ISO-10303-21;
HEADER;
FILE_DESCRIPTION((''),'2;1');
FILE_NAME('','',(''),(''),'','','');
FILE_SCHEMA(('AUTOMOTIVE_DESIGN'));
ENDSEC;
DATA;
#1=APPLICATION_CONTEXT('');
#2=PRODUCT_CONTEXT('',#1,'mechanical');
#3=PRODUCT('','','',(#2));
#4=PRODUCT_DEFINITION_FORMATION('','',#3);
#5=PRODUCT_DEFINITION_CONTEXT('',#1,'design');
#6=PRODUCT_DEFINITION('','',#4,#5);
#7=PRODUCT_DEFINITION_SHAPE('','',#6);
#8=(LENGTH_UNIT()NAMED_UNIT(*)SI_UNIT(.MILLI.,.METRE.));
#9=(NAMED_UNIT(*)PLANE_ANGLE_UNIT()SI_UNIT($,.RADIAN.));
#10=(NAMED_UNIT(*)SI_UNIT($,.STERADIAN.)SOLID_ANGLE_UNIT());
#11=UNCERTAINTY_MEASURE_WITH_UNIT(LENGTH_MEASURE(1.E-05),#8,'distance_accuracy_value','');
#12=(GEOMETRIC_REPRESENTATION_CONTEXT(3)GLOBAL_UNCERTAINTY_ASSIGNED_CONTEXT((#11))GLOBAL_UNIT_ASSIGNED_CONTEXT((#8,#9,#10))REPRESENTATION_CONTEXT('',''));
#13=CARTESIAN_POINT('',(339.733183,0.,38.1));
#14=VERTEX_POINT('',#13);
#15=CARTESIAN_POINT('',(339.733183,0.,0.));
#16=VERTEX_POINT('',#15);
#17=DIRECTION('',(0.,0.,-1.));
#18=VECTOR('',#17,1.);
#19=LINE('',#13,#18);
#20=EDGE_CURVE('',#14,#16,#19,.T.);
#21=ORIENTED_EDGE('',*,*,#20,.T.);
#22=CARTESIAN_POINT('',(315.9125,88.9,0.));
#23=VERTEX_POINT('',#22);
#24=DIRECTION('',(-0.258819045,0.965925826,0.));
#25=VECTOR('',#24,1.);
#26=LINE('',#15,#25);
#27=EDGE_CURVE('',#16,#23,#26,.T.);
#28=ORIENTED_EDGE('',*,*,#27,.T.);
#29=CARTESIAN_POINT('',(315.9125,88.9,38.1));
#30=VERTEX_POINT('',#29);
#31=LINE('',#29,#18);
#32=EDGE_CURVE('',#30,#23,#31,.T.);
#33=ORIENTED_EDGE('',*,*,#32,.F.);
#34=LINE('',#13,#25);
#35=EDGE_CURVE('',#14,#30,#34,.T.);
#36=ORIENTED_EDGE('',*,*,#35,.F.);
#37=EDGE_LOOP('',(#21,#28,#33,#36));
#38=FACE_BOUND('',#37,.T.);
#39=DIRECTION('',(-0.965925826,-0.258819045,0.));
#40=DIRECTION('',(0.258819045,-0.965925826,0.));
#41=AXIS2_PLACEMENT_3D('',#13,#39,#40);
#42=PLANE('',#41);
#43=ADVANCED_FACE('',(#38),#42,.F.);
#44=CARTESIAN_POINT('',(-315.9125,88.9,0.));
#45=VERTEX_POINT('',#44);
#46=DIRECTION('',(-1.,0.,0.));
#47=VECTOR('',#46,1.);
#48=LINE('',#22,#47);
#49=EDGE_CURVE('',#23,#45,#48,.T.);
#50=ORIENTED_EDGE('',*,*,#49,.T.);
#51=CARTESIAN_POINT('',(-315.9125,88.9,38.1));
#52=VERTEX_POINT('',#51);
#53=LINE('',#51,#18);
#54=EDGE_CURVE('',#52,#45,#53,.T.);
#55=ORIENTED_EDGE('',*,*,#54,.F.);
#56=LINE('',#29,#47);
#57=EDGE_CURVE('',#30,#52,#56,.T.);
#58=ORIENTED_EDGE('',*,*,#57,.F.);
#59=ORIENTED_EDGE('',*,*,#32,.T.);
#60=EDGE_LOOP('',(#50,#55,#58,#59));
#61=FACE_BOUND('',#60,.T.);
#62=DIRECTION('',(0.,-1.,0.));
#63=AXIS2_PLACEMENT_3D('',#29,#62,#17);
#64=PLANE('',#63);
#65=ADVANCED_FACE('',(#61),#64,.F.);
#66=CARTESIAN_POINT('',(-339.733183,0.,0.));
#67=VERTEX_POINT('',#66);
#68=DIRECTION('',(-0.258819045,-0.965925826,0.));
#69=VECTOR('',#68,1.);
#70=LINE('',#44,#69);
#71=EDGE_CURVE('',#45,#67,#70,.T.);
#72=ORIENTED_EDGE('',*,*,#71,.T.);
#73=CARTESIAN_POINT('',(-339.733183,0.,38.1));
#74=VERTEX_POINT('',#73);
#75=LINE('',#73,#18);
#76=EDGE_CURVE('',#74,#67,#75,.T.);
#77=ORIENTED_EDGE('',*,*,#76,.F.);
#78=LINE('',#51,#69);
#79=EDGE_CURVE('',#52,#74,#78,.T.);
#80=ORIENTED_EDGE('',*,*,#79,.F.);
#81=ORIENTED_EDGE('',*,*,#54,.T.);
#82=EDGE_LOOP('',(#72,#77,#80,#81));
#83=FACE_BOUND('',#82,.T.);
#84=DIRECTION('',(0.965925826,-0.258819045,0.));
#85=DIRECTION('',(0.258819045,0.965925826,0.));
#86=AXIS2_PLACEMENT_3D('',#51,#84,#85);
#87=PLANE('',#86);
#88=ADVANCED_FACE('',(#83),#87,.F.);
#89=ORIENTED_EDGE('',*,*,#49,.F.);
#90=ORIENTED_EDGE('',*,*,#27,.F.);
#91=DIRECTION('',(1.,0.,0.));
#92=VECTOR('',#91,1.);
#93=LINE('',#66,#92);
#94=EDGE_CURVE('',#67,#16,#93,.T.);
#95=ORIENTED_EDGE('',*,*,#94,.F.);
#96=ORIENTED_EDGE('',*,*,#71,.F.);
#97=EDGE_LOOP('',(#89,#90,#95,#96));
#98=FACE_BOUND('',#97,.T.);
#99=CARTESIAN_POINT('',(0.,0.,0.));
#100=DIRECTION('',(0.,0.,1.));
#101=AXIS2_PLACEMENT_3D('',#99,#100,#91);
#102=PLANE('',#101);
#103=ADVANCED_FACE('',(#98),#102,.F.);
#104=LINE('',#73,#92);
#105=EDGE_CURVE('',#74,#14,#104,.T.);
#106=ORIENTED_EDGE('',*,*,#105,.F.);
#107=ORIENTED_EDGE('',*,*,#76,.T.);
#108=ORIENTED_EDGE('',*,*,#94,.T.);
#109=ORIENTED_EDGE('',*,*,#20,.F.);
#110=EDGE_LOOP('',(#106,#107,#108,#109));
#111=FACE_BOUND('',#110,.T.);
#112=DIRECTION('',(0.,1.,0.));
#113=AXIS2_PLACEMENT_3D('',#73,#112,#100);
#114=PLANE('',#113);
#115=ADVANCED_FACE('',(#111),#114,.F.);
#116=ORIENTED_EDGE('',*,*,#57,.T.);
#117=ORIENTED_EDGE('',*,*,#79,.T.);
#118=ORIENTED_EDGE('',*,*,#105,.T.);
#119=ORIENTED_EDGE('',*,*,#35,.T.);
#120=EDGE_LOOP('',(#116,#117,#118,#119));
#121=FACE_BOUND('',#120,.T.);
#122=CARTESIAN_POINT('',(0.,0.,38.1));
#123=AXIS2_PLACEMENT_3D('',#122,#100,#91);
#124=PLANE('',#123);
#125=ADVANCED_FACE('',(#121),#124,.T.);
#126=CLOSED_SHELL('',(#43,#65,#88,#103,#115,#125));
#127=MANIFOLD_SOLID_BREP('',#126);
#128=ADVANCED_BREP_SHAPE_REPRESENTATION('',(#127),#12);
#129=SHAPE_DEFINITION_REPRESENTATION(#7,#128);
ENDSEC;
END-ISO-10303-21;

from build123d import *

# Parameters (mm, degrees)
BOSS_EXTRUDE1_DEPTH = 38.1


with BuildPart() as part:
    # Sketch1 → Boss-Extrude1 (new body)
    with BuildSketch(Plane.XY):
        Polygon((-315.9125, 88.9), (-339.733183207, 0), (339.733183207, 0), (315.9125, 88.9), align=None)
    extrude(amount=BOSS_EXTRUDE1_DEPTH)


solid = part.part
